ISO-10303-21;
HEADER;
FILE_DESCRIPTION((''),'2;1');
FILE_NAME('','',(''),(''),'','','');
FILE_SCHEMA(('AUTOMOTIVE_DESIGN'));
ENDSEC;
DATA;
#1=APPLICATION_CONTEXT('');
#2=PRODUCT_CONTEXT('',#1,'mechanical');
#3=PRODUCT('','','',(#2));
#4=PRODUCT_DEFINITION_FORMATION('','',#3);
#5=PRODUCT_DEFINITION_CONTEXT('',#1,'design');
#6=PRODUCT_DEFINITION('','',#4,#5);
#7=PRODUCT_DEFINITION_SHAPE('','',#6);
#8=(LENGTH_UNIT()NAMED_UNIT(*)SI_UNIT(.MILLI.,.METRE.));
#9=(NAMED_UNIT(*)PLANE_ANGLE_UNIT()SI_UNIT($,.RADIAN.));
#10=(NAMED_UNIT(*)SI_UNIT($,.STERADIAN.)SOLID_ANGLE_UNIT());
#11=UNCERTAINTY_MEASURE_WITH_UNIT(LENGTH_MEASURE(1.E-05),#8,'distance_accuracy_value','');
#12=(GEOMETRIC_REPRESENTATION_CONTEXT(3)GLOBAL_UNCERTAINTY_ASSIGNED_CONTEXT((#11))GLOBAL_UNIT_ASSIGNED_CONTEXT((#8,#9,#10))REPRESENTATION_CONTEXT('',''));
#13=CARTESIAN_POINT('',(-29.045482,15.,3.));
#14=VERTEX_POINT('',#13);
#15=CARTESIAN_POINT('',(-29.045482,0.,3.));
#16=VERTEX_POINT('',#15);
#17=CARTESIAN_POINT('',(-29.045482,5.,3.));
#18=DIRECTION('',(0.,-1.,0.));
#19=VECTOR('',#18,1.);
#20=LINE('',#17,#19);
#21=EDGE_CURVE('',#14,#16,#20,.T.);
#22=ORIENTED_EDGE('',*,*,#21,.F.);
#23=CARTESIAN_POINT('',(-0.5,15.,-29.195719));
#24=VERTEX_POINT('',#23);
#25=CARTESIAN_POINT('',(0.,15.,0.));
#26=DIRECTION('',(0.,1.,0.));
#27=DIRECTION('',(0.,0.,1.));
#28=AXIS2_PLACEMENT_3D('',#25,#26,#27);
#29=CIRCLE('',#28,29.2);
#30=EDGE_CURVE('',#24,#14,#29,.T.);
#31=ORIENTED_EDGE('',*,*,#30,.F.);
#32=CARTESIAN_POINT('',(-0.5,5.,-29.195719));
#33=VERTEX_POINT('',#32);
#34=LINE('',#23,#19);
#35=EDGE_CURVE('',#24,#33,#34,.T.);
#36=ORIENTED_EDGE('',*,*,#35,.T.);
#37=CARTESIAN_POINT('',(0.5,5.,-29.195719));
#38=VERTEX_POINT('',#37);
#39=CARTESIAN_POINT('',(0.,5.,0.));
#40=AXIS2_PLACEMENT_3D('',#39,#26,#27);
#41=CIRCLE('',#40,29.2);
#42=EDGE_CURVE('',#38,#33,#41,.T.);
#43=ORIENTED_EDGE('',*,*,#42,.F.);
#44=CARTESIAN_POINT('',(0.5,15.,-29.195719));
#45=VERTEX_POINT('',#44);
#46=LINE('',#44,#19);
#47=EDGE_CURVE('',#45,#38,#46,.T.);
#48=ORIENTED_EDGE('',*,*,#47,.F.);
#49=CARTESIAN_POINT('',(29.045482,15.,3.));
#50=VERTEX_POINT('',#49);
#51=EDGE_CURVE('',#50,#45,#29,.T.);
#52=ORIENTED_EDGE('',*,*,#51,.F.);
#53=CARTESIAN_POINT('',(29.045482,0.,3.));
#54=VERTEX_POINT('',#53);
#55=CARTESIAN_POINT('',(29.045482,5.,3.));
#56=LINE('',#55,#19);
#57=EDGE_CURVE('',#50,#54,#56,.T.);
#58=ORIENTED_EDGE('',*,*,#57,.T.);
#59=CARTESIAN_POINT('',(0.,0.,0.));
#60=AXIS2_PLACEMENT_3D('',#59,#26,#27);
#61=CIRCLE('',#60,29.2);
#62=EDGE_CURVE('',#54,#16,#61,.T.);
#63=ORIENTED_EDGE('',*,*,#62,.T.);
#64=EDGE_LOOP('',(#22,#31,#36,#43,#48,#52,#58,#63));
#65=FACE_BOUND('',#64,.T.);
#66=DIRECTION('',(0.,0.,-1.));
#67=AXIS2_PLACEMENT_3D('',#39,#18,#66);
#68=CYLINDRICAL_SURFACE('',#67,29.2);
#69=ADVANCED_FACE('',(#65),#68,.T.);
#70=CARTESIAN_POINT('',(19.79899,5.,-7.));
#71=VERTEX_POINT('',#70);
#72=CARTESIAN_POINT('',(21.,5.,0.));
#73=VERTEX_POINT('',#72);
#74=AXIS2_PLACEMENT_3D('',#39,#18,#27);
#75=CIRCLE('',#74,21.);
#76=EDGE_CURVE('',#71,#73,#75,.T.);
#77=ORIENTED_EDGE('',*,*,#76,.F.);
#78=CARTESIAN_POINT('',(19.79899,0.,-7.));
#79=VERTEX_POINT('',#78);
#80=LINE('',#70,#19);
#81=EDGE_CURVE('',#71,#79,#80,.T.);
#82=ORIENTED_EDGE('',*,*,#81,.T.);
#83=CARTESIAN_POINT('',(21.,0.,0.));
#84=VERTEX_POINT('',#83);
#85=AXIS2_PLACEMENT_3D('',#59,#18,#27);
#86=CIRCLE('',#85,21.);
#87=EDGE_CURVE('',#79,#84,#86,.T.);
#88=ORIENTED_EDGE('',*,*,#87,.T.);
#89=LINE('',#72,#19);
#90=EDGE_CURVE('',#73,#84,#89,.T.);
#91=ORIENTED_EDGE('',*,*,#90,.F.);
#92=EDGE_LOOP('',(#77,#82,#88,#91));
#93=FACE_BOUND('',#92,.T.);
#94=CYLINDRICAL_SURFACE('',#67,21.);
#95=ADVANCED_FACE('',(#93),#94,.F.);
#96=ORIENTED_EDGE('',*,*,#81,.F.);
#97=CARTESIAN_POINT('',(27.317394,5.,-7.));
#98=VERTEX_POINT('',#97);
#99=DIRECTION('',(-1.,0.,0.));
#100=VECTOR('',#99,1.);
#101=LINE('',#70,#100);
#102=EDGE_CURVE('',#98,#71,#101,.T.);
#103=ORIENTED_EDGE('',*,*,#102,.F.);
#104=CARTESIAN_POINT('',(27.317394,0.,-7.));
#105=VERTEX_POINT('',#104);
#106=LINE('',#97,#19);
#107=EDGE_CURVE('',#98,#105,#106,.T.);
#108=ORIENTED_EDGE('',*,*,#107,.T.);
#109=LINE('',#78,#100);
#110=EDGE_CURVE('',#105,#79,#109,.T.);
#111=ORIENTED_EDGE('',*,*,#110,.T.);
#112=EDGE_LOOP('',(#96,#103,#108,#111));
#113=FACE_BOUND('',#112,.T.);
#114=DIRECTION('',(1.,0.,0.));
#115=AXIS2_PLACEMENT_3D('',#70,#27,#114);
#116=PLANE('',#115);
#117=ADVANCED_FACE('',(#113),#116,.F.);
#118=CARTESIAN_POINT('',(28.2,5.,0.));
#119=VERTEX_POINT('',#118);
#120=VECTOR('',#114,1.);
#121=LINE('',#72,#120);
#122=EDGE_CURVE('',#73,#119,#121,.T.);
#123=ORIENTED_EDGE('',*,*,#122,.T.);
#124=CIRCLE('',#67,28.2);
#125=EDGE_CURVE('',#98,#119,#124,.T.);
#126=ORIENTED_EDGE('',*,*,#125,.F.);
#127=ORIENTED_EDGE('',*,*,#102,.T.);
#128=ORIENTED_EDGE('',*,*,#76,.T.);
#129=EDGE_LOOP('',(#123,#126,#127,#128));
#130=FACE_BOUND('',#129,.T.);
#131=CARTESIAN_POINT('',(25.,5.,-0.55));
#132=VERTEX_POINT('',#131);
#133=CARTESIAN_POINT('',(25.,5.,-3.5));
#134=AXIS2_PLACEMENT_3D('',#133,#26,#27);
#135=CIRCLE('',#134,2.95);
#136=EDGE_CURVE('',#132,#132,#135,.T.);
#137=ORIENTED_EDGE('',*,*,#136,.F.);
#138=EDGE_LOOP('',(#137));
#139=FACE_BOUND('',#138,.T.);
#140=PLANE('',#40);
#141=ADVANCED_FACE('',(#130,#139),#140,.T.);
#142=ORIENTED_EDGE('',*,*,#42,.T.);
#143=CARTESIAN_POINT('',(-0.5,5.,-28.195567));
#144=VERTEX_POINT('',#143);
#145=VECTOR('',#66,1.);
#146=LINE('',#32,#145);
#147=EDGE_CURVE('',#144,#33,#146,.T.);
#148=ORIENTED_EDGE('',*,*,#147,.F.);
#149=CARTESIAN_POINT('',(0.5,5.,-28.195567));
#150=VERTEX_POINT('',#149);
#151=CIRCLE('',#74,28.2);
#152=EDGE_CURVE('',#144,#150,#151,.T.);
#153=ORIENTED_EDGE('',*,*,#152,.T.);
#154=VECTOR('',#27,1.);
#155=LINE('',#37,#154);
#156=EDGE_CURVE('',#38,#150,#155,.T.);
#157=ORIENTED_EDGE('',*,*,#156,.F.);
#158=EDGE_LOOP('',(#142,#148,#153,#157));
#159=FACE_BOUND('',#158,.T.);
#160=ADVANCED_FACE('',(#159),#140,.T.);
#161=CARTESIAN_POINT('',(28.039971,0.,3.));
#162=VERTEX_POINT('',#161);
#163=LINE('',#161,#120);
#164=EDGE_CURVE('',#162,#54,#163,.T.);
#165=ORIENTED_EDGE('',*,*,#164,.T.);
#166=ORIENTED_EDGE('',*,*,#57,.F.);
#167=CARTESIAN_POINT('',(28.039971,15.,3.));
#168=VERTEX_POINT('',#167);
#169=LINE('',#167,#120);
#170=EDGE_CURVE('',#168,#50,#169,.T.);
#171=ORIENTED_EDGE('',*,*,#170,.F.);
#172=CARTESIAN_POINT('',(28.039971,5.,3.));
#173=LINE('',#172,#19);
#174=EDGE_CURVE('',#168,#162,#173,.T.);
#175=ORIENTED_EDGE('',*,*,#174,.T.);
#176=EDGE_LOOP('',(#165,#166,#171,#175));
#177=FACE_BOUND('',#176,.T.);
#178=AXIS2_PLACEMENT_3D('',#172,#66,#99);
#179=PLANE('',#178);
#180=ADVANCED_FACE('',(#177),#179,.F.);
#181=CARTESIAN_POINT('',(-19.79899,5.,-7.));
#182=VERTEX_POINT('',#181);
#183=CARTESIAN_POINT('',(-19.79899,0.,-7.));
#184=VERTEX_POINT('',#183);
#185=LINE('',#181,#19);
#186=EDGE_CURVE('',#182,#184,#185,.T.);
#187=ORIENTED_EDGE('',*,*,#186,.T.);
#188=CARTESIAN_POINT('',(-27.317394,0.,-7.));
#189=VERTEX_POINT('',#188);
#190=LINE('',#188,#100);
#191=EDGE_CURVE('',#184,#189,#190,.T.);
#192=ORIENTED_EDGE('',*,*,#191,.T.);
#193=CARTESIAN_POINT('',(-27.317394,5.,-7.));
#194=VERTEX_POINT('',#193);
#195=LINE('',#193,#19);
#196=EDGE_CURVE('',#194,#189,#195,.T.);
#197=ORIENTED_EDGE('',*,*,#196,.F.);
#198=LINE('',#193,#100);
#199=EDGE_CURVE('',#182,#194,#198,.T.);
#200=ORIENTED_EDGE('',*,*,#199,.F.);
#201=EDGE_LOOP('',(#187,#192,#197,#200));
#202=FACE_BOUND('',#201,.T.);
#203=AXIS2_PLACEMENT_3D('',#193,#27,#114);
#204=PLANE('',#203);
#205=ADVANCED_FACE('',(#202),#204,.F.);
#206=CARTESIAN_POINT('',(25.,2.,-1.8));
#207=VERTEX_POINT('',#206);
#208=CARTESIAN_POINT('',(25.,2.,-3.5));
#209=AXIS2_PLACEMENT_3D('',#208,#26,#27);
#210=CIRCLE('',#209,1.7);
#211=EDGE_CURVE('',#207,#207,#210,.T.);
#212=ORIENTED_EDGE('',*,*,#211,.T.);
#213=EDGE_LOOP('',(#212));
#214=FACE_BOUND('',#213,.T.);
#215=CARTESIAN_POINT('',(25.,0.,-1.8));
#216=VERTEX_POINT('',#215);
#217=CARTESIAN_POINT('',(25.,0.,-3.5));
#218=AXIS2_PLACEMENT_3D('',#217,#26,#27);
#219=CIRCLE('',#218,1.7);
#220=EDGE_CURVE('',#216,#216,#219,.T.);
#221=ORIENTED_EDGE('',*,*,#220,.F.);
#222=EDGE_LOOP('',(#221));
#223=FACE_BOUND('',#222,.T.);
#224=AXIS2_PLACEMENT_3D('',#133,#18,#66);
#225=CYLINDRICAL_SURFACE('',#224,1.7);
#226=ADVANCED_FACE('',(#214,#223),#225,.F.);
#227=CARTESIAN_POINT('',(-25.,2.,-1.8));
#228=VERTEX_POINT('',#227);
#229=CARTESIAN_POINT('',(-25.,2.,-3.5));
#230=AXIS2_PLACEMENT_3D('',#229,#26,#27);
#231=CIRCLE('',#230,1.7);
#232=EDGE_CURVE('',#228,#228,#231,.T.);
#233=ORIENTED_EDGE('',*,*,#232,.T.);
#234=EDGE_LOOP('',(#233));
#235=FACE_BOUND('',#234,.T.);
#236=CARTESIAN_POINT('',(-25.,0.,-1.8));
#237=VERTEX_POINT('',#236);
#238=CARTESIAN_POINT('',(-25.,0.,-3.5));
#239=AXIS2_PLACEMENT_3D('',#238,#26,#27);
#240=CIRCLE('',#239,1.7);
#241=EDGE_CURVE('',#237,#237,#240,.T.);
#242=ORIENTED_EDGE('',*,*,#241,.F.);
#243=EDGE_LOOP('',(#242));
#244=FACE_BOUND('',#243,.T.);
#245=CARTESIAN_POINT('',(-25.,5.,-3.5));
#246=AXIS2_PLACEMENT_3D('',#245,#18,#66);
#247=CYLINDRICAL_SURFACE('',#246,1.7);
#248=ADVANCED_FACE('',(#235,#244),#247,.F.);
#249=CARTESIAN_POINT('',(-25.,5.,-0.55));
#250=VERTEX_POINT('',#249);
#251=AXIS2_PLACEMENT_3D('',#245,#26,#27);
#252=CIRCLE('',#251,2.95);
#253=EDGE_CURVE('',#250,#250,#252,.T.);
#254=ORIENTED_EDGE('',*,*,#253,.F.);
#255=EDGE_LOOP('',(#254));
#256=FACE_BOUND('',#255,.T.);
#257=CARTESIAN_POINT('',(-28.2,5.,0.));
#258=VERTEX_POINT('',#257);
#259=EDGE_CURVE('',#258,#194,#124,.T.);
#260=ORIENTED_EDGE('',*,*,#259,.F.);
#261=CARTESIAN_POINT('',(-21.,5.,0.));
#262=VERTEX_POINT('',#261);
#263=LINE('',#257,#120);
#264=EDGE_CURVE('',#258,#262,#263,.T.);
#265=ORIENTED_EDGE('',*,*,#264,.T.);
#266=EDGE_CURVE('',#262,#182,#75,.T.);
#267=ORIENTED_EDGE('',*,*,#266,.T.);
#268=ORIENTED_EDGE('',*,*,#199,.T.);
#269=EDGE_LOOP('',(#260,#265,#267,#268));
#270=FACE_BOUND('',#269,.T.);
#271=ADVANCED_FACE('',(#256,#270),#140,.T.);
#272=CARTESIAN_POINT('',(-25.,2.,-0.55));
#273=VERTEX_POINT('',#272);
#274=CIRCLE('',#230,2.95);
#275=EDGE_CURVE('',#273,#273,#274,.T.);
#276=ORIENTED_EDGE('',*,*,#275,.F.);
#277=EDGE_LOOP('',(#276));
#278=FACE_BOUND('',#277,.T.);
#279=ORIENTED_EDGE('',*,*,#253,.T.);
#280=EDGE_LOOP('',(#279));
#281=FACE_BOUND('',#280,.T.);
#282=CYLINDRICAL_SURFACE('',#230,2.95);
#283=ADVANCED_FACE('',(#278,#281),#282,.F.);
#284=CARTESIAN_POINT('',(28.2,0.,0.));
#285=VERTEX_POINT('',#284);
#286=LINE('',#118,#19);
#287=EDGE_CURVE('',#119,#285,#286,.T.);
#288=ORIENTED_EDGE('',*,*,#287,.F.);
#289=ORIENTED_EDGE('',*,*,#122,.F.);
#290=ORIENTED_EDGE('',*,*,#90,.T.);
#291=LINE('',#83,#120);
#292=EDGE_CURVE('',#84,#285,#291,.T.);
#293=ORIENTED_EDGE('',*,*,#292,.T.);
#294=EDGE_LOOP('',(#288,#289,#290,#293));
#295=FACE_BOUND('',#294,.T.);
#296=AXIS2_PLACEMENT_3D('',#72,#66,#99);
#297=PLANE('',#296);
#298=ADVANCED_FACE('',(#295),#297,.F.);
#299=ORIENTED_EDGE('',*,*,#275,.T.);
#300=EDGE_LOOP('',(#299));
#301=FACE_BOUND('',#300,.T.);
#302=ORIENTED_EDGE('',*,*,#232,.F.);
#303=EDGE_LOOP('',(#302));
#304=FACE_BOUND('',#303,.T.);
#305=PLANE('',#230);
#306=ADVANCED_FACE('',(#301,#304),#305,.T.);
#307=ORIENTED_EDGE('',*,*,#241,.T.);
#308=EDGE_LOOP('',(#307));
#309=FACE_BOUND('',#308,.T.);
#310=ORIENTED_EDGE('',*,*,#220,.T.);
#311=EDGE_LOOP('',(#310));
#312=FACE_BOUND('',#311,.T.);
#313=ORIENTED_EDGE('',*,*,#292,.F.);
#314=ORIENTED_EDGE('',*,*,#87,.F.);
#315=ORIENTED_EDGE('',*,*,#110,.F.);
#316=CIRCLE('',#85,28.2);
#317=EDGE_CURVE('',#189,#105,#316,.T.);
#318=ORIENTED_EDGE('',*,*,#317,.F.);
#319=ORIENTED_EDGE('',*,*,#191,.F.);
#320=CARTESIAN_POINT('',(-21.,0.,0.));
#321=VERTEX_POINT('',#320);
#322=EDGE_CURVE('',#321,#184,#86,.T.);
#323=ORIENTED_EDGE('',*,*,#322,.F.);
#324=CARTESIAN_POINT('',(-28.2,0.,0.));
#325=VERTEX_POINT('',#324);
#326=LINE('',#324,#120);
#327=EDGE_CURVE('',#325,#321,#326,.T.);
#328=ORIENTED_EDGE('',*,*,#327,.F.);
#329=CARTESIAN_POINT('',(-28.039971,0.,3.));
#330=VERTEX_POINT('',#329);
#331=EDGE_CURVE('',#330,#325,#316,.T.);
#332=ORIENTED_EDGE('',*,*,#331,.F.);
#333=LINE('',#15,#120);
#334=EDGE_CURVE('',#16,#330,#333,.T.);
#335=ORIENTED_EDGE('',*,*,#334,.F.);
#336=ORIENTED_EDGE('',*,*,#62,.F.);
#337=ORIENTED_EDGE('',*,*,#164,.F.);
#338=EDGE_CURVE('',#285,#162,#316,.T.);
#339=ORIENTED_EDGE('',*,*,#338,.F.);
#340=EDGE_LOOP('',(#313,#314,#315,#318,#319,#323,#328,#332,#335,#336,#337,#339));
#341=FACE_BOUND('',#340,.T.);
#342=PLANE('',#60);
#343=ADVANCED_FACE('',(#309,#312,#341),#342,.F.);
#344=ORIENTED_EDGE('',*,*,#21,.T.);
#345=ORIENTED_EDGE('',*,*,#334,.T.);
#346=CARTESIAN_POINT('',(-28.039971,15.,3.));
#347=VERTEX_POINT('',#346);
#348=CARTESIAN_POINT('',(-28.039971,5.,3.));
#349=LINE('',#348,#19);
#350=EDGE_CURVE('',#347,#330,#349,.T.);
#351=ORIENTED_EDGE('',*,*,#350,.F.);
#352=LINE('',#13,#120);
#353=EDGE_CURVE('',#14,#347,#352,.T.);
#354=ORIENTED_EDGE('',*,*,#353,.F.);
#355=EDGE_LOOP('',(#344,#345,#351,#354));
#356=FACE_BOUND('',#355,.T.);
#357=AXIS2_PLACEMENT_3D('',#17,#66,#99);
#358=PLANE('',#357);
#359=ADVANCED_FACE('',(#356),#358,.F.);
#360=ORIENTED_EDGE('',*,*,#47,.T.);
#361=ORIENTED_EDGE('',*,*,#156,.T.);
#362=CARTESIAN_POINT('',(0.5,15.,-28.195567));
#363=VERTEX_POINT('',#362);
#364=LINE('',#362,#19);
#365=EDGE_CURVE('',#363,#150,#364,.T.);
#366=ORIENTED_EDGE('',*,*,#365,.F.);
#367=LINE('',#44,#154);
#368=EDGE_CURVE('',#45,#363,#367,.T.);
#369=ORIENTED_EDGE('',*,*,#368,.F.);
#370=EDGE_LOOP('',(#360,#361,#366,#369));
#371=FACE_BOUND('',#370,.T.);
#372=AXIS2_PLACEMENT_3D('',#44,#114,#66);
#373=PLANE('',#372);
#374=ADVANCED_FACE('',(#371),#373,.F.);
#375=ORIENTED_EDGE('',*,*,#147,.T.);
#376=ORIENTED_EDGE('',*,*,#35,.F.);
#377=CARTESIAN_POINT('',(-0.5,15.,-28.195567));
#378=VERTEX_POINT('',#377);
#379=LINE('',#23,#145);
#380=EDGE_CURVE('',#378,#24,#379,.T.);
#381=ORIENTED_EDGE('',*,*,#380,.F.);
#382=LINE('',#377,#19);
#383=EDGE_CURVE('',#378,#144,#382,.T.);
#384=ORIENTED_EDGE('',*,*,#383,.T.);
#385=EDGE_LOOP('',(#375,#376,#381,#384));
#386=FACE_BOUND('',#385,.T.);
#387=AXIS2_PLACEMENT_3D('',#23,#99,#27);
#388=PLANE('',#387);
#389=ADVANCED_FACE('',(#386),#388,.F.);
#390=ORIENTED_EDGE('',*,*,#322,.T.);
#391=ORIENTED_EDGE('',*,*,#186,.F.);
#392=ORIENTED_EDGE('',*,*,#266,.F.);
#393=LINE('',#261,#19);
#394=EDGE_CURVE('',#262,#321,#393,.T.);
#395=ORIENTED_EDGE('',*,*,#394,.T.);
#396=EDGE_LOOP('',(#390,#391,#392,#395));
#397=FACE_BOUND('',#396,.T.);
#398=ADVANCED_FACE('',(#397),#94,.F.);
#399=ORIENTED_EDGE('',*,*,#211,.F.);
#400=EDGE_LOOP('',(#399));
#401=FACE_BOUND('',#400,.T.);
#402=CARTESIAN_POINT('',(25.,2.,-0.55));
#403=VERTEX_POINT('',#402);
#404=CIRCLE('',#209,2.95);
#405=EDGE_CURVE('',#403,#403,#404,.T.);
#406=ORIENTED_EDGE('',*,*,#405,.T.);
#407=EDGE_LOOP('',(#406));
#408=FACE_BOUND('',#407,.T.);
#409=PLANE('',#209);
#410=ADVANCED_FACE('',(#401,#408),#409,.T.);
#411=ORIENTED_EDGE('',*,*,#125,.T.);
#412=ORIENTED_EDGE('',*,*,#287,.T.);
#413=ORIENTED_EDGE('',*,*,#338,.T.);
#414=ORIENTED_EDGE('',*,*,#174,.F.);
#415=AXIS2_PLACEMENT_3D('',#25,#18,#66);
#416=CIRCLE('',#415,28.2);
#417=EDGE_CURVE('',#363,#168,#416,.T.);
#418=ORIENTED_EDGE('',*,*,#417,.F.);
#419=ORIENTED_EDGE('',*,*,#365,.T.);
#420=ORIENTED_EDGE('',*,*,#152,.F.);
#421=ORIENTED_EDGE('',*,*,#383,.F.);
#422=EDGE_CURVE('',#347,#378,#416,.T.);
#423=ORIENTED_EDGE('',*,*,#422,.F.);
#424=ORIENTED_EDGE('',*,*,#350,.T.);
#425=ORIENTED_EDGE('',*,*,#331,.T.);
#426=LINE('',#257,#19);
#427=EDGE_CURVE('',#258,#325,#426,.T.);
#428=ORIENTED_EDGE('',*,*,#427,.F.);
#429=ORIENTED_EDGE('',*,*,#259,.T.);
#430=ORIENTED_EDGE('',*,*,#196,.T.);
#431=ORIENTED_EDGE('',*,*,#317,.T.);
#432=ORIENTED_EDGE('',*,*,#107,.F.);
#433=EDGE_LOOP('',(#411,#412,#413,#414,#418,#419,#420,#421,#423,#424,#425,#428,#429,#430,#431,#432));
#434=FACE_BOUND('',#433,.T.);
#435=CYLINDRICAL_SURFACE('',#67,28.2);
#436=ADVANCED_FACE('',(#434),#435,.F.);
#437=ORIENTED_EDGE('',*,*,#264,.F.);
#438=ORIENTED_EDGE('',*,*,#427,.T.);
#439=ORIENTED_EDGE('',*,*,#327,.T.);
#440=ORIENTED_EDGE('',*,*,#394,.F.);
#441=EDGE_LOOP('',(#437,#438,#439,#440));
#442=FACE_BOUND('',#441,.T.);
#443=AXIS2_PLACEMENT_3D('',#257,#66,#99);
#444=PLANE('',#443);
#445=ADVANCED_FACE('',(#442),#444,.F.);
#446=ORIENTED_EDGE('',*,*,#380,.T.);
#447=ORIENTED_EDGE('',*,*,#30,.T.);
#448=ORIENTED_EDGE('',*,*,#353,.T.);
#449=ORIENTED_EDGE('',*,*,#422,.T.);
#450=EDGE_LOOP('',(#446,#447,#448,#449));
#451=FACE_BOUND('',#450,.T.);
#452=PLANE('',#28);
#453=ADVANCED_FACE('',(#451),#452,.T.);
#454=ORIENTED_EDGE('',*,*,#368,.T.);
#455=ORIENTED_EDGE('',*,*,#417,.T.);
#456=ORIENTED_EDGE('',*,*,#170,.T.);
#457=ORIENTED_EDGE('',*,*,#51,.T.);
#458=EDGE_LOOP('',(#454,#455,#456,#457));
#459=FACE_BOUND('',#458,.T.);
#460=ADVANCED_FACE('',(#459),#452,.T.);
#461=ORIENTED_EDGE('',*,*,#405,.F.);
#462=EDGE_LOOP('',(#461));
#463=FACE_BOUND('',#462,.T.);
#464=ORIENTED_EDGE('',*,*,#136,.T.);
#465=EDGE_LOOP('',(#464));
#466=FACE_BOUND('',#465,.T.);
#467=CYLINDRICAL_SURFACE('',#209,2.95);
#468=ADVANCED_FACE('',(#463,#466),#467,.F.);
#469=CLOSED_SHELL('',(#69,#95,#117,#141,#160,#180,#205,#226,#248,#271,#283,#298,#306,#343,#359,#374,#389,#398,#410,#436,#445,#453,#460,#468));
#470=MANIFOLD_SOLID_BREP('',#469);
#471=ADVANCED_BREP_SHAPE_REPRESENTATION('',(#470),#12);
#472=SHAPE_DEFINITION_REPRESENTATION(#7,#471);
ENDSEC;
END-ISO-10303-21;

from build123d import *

# Parameters (mm, degrees)
CROQUIS1_R              = 1.7
SALIENTE_EXTRUIR1_DEPTH = 5
SALIENTE_EXTRUIR2_DEPTH = 10
CROQUIS3_R              = 2.95
CORTAR_EXTRUIR1_DEPTH   = 3


with BuildPart() as part:
    # Croquis1 → Saliente-Extruir1 (new body)
    with BuildSketch(Plane(origin=(0, 0, 0), x_dir=(1, 0, 0), z_dir=(0, 1, 0))):
        with BuildLine():
            Line((-29.045481576, -3), (-28.039971469, -3))
            ThreePointArc((-28.039971469, -3), (-28.159964448, -1.502132578), (-28.2, 0))
            Line((-28.2, 0), (-21, 0))
            ThreePointArc((-21, 0), (-20.697569753, 3.551141553), (-19.798989873, 7))
            Line((-19.798989873, 7), (-27.317393726, 7))
            ThreePointArc((-27.317393726, 7), (0, 28.2), (27.317393726, 7))
            Line((27.317393726, 7), (19.798989873, 7))
            ThreePointArc((19.798989873, 7), (20.697569753, 3.551141553), (21, 0))
            Line((21, 0), (28.2, 0))
            ThreePointArc((28.2, 0), (28.159964448, -1.502132578), (28.039971469, -3))
            Line((28.039971469, -3), (29.045481576, -3))
            ThreePointArc((29.045481576, -3), (0, 29.2), (-29.045481576, -3))
        make_face()
        with Locations((-25, 3.5)):
            Circle(CROQUIS1_R, mode=Mode.SUBTRACT)
        with Locations((25, 3.5)):
            Circle(CROQUIS1_R, mode=Mode.SUBTRACT)
    extrude(amount=SALIENTE_EXTRUIR1_DEPTH)

    # Croquis2 → Saliente-Extruir2 (add)
    with BuildSketch(Plane(origin=(0, 5, 0), x_dir=(1, 0, 0), z_dir=(0, 1, 0))):
        with BuildLine():
            Line((28.039971469, -3), (29.045481576, -3))
            ThreePointArc((29.045481576, -3), (21.848911842, 19.371759118), (0.5, 29.195718864))
            Line((0.5, 29.195718864), (0.5, 28.195567027))
            ThreePointArc((0.5, 28.195567027), (21.140561568, 18.663243464), (28.039971469, -3))
        make_face()
        with BuildLine():
            Line((-29.045481576, -3), (-28.039971469, -3))
            ThreePointArc((-28.039971469, -3), (-21.140561568, 18.663243464), (-0.5, 28.195567027))
            Line((-0.5, 28.195567027), (-0.5, 29.195718864))
            ThreePointArc((-0.5, 29.195718864), (-21.848911842, 19.371759118), (-29.045481576, -3))
        make_face()
    extrude(amount=SALIENTE_EXTRUIR2_DEPTH)

    # Croquis3 → Cortar-Extruir1 (cut)
    with BuildSketch(Plane(origin=(0, 5, 0), x_dir=(1, 0, 0), z_dir=(0, 1, 0))):
        with Locations((-25, 3.5)):
            Circle(CROQUIS3_R)
        with Locations((25, 3.5)):
            Circle(CROQUIS3_R)
    extrude(amount=-CORTAR_EXTRUIR1_DEPTH, mode=Mode.SUBTRACT)


solid = part.part
